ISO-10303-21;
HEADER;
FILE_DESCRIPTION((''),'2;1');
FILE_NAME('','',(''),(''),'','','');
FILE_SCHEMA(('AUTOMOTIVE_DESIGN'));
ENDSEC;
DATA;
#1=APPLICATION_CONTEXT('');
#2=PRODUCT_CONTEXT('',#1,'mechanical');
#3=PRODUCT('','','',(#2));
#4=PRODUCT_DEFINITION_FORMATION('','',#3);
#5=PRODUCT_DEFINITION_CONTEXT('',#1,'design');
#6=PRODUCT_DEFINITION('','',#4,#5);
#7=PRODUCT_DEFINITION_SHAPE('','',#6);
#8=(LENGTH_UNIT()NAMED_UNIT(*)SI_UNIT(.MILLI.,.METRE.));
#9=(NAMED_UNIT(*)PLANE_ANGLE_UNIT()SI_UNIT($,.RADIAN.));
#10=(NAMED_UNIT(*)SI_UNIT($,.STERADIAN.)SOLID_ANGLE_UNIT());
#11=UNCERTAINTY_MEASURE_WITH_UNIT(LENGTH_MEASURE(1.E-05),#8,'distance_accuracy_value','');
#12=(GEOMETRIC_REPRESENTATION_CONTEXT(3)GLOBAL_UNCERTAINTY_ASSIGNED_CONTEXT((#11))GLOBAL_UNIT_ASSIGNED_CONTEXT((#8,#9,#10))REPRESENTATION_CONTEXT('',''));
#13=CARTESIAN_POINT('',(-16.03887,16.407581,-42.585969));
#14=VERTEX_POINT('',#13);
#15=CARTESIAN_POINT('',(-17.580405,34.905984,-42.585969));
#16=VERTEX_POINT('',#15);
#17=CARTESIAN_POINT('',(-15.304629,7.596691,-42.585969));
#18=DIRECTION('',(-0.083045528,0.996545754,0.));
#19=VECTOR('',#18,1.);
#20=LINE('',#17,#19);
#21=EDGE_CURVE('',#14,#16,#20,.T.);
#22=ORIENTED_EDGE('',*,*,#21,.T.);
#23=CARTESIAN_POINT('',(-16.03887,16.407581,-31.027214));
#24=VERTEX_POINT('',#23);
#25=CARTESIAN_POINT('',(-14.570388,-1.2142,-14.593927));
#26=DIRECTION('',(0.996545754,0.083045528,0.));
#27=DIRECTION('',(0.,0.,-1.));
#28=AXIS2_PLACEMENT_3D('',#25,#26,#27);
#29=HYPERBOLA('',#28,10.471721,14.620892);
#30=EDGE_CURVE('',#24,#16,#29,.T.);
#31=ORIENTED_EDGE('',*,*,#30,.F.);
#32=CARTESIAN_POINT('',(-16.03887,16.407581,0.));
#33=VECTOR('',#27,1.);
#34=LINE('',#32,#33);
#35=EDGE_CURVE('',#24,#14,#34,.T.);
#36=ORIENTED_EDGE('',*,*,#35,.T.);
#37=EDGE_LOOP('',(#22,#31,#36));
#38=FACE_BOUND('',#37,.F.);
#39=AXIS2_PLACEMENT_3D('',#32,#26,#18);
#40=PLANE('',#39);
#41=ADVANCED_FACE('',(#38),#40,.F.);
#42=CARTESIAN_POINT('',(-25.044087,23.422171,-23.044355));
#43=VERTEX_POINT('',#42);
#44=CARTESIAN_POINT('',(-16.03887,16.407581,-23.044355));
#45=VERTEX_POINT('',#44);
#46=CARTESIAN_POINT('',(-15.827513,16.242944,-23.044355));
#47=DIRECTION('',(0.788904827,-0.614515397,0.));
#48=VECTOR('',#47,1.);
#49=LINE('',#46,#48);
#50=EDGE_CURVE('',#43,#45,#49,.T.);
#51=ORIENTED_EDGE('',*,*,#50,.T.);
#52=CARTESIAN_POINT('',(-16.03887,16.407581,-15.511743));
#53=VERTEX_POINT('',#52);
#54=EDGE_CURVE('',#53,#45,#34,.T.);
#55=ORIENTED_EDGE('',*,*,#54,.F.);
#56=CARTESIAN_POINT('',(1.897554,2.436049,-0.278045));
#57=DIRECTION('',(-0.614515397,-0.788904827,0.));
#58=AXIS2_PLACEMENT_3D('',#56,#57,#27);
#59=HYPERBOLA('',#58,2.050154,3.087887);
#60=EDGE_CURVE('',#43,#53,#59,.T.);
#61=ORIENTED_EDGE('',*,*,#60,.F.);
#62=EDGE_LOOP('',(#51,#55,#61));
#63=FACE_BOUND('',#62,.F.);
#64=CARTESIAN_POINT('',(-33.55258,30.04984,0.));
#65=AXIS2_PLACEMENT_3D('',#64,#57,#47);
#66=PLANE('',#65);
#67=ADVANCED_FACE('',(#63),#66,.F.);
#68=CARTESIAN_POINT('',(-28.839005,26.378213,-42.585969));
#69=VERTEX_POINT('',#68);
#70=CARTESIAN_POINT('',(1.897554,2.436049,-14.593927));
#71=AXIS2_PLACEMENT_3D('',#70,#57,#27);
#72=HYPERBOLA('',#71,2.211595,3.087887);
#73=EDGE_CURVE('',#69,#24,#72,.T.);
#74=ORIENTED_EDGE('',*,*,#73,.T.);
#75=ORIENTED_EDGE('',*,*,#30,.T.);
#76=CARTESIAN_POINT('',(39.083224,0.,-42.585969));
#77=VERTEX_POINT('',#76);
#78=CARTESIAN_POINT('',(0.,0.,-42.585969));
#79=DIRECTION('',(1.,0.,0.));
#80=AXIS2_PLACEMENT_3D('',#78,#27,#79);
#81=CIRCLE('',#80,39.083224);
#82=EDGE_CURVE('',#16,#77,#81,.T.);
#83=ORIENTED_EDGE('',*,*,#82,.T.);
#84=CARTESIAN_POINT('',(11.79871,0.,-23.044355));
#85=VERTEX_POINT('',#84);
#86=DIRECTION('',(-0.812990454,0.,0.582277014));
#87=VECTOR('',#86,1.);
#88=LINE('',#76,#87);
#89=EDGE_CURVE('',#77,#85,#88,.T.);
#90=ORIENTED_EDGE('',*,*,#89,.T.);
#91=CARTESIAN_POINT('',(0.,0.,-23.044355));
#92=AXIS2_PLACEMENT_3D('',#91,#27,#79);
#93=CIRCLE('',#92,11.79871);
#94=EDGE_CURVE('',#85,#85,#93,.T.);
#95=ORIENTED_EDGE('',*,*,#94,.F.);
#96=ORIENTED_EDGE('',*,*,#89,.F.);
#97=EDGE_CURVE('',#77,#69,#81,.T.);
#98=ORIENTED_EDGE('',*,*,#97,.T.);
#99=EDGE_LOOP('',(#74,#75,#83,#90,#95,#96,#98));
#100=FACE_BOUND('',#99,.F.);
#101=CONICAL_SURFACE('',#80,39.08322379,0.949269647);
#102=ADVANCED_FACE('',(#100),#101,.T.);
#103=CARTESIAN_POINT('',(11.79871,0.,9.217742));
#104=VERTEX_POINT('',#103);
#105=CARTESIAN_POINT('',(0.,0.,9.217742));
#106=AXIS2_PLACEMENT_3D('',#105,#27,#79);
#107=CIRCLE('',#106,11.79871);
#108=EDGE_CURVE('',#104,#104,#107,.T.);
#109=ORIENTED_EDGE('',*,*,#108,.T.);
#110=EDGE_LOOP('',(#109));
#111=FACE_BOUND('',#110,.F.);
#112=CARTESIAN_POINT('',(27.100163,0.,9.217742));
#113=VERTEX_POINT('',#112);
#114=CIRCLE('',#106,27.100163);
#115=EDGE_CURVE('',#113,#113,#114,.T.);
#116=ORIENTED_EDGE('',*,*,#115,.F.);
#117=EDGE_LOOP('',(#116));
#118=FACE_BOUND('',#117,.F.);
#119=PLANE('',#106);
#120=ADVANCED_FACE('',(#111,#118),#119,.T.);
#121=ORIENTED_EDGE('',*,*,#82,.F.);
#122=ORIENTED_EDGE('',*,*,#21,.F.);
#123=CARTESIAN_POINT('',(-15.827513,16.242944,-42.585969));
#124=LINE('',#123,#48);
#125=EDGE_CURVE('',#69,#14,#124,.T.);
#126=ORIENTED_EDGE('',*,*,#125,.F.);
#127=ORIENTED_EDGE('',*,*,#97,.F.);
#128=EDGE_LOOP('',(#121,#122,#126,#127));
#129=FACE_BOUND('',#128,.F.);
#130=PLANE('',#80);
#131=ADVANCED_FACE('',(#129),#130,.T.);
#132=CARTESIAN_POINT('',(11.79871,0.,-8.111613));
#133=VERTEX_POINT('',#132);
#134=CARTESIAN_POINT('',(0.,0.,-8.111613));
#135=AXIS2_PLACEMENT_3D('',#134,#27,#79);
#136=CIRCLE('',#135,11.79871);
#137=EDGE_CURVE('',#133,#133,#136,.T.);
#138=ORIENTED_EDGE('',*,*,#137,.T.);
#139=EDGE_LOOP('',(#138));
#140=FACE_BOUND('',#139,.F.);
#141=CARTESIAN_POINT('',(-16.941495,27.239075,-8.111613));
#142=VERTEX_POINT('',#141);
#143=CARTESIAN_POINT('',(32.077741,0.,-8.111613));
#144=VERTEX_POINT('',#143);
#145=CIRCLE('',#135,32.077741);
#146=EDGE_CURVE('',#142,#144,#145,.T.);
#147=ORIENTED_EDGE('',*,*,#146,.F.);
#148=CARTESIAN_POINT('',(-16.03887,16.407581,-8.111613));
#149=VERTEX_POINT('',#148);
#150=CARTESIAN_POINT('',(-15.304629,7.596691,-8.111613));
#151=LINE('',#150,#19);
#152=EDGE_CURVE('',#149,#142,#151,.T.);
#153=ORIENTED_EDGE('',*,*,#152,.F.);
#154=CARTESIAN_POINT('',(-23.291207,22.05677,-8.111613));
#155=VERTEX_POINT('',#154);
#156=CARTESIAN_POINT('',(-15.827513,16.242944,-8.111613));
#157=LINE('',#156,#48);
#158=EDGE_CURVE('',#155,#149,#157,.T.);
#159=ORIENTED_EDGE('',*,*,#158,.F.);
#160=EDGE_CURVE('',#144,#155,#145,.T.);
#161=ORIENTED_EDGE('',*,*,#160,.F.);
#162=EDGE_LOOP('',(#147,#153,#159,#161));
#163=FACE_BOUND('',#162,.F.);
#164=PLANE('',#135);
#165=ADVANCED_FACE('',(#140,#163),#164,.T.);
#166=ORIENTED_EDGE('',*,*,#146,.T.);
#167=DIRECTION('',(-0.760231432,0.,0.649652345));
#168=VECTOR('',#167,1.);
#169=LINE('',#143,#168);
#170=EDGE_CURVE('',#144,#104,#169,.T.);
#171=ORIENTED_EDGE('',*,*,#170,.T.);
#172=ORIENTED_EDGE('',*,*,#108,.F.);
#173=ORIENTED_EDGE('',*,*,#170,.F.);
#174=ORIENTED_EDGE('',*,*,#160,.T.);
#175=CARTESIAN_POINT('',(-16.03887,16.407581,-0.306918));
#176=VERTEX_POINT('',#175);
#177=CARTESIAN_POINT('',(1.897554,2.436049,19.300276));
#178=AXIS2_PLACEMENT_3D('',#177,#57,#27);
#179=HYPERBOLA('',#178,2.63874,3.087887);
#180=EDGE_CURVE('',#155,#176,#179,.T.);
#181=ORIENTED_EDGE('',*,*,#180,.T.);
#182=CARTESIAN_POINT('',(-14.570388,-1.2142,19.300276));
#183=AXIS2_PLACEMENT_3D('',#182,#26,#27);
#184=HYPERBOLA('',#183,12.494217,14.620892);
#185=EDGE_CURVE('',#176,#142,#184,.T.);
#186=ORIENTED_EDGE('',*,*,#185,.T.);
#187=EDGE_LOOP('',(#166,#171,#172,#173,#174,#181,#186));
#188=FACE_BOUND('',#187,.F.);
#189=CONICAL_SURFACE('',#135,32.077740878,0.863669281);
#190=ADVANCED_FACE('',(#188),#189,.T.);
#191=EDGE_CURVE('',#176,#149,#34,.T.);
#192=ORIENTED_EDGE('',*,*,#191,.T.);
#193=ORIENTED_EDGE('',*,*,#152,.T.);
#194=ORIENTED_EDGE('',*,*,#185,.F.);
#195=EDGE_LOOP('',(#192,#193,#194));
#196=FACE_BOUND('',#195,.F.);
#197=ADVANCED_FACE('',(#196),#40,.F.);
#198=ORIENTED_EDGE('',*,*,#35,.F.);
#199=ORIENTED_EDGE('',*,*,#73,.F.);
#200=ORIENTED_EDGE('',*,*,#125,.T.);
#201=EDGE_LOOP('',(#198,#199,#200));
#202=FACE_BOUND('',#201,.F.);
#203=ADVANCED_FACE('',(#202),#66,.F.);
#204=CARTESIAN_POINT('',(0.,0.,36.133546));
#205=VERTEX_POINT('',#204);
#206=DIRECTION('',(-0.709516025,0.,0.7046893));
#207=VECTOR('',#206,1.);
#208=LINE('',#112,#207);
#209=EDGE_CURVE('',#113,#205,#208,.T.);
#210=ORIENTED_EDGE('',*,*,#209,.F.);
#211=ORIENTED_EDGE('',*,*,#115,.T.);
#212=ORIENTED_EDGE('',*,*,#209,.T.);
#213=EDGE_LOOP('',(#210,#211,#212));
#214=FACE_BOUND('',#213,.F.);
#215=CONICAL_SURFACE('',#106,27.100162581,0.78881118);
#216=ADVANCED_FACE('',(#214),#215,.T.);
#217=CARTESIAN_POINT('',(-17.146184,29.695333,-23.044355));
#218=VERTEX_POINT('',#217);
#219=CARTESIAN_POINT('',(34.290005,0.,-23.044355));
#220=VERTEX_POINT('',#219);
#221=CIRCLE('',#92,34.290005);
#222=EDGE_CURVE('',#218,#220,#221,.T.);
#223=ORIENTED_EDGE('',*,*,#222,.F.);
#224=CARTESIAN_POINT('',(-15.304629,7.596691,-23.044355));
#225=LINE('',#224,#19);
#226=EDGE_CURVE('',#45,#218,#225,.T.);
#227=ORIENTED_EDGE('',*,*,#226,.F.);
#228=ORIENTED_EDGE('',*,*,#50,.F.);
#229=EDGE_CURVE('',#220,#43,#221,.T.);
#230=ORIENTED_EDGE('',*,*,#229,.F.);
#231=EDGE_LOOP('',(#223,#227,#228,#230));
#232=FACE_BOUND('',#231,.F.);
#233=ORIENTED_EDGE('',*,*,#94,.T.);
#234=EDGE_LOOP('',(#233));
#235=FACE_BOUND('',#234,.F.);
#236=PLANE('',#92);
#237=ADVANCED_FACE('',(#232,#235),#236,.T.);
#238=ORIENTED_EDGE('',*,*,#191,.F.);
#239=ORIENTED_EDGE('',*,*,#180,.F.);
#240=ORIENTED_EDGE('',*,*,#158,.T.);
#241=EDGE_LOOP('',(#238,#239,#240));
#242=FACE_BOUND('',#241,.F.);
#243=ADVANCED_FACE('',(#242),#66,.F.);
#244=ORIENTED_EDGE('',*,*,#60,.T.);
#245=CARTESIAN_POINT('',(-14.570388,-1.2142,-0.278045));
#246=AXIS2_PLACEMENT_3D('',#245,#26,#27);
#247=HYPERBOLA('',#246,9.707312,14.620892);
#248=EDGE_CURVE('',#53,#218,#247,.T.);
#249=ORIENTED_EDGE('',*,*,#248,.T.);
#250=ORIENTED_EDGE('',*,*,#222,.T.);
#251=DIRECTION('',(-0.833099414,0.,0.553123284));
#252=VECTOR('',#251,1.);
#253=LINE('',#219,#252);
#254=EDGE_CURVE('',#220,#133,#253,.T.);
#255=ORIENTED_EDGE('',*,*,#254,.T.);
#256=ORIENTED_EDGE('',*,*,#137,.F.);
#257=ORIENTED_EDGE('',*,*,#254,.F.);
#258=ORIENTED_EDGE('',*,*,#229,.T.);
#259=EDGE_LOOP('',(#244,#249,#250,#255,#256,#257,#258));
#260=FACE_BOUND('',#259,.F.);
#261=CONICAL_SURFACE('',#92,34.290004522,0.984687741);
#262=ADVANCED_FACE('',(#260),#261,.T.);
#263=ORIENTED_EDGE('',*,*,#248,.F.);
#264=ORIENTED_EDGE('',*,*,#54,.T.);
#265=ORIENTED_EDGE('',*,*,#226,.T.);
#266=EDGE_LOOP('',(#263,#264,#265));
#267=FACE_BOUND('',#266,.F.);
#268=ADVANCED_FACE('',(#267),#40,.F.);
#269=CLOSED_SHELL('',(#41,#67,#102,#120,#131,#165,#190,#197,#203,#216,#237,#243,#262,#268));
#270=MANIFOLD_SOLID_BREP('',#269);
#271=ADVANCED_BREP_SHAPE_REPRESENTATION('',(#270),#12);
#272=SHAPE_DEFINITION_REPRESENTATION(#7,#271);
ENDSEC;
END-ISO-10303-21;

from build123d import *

# Parameters (mm, degrees)
F3_DEPTH = 42.5869689713


with BuildPart() as f1:
    # F0 (on Front) → F1 (revolve)
    with BuildSketch(Plane.XZ):
        Polygon((0, 36.1335463822), (0, -42.5859689713), (39.0832237899, -42.5859689713), (11.798709631, -23.0443552136), (34.2900045216, -23.0443552136), (11.798709631, -8.1116128713), (32.0777408779, -8.1116128713), (11.798709631, 9.2177418992), (27.1001625806, 9.2177418992), align=None)
    revolve(axis=Axis((0, 0, -3.9636306465), (0, 0, -1)))

    # F2 (on Top) → F3 (cut, through all)
    with BuildSketch(Plane.XY):
        Polygon((-17.8824197501, 38.5301597416), (-33.5525795817, 30.0498399884), (-16.0388704389, 16.4075810462), align=None)
    extrude(amount=-F3_DEPTH, mode=Mode.SUBTRACT)


solid = f1.part
